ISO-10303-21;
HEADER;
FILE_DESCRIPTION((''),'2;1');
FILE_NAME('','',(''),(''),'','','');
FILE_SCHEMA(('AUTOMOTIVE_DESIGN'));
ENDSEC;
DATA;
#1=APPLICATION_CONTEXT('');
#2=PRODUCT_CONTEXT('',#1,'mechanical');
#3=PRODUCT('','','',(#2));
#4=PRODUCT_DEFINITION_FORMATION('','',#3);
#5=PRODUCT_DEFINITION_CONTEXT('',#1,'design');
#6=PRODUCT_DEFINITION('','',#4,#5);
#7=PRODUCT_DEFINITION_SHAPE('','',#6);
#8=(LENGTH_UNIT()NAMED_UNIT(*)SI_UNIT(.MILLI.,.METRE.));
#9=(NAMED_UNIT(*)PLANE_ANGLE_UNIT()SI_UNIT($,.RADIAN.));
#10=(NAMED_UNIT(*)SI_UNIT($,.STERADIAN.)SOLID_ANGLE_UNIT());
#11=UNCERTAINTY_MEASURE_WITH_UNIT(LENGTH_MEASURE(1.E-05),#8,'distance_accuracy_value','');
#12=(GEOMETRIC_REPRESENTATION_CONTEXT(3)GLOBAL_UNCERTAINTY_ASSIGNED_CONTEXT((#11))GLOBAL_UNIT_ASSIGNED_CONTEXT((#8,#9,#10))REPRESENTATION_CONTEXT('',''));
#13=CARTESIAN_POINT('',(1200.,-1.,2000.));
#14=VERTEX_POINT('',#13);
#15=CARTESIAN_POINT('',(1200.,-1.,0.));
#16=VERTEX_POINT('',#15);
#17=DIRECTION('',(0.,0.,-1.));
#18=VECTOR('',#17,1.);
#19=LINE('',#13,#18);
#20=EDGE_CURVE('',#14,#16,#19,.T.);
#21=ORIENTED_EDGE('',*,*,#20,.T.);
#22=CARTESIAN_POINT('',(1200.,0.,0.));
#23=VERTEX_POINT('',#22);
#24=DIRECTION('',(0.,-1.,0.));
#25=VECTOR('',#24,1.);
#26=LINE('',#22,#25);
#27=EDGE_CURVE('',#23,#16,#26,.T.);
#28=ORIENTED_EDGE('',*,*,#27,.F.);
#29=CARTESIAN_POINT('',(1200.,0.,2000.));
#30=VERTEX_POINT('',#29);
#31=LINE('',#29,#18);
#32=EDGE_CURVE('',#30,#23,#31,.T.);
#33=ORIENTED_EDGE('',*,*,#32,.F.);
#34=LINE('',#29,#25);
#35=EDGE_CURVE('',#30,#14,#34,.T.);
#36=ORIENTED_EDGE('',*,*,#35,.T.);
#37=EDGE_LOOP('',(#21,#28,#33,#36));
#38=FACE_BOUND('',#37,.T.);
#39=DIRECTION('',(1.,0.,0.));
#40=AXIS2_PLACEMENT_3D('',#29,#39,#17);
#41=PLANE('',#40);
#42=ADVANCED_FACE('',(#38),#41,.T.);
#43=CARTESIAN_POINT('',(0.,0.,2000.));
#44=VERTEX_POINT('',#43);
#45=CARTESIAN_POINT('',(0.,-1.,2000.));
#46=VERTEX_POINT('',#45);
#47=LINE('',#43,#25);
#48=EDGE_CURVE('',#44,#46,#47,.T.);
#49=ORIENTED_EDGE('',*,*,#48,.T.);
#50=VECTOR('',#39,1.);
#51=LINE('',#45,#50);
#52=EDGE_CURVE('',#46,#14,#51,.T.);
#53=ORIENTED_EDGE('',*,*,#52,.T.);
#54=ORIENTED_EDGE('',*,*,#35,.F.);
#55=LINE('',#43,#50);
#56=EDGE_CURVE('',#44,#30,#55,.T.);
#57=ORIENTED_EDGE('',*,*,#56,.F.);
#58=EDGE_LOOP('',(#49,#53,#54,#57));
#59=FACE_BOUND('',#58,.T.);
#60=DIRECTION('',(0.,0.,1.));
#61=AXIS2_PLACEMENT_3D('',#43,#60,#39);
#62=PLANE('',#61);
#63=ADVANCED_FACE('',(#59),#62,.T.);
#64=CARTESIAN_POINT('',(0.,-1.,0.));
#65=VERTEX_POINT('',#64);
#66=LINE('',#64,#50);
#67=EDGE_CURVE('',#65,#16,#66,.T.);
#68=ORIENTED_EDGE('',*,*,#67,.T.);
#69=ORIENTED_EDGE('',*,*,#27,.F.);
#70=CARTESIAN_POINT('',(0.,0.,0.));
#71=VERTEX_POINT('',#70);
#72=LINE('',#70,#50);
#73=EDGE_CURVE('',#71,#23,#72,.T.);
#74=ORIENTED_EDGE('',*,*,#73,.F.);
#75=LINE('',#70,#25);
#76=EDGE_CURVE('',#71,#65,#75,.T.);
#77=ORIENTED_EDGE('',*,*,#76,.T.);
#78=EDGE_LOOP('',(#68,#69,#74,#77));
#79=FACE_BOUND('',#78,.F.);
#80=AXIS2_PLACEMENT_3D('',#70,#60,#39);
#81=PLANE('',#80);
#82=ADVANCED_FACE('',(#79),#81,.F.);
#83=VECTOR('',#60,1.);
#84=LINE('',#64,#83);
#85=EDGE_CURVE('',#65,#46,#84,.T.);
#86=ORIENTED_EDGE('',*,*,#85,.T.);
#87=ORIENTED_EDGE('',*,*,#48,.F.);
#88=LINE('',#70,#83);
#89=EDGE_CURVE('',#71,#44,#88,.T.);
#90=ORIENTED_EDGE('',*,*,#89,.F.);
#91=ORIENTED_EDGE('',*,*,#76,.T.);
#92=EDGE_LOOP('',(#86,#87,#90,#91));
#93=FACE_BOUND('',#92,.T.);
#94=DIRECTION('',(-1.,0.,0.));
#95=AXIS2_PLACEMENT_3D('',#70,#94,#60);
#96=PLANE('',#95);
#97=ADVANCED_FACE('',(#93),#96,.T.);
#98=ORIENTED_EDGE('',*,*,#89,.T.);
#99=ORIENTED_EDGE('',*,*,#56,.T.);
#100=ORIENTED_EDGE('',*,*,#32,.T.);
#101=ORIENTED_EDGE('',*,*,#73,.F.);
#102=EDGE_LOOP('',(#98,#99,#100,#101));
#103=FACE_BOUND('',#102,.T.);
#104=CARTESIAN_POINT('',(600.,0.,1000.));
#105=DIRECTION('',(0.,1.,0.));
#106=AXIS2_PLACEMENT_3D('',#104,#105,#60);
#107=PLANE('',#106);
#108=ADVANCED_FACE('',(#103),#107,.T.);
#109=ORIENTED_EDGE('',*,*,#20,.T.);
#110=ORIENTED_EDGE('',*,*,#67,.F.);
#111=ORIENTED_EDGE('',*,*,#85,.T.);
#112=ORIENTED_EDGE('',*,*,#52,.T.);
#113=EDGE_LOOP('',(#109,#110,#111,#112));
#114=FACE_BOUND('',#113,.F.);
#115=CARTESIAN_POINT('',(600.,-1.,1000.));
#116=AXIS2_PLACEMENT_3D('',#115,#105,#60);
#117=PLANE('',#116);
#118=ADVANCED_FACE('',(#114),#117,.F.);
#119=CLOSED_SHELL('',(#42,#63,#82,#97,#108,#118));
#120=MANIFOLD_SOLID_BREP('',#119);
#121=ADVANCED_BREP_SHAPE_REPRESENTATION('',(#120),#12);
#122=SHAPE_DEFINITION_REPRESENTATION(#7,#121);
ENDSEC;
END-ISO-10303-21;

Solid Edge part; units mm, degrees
sketch "Sketch1" plane through (0, 0, 0) normal (0, -1, 0) x (1, 0, 0)
  line L0 (0, 2000) -> (1200, 2000)
  line L1 (1200, 2000) -> (1200, 0)
  line L2 (0, 0) -> (1200, 0)
  line L3 (0, 0) -> (0, 2000)
extrude "Protrusion1" add sketch "Sketch1" along normal blind 1
